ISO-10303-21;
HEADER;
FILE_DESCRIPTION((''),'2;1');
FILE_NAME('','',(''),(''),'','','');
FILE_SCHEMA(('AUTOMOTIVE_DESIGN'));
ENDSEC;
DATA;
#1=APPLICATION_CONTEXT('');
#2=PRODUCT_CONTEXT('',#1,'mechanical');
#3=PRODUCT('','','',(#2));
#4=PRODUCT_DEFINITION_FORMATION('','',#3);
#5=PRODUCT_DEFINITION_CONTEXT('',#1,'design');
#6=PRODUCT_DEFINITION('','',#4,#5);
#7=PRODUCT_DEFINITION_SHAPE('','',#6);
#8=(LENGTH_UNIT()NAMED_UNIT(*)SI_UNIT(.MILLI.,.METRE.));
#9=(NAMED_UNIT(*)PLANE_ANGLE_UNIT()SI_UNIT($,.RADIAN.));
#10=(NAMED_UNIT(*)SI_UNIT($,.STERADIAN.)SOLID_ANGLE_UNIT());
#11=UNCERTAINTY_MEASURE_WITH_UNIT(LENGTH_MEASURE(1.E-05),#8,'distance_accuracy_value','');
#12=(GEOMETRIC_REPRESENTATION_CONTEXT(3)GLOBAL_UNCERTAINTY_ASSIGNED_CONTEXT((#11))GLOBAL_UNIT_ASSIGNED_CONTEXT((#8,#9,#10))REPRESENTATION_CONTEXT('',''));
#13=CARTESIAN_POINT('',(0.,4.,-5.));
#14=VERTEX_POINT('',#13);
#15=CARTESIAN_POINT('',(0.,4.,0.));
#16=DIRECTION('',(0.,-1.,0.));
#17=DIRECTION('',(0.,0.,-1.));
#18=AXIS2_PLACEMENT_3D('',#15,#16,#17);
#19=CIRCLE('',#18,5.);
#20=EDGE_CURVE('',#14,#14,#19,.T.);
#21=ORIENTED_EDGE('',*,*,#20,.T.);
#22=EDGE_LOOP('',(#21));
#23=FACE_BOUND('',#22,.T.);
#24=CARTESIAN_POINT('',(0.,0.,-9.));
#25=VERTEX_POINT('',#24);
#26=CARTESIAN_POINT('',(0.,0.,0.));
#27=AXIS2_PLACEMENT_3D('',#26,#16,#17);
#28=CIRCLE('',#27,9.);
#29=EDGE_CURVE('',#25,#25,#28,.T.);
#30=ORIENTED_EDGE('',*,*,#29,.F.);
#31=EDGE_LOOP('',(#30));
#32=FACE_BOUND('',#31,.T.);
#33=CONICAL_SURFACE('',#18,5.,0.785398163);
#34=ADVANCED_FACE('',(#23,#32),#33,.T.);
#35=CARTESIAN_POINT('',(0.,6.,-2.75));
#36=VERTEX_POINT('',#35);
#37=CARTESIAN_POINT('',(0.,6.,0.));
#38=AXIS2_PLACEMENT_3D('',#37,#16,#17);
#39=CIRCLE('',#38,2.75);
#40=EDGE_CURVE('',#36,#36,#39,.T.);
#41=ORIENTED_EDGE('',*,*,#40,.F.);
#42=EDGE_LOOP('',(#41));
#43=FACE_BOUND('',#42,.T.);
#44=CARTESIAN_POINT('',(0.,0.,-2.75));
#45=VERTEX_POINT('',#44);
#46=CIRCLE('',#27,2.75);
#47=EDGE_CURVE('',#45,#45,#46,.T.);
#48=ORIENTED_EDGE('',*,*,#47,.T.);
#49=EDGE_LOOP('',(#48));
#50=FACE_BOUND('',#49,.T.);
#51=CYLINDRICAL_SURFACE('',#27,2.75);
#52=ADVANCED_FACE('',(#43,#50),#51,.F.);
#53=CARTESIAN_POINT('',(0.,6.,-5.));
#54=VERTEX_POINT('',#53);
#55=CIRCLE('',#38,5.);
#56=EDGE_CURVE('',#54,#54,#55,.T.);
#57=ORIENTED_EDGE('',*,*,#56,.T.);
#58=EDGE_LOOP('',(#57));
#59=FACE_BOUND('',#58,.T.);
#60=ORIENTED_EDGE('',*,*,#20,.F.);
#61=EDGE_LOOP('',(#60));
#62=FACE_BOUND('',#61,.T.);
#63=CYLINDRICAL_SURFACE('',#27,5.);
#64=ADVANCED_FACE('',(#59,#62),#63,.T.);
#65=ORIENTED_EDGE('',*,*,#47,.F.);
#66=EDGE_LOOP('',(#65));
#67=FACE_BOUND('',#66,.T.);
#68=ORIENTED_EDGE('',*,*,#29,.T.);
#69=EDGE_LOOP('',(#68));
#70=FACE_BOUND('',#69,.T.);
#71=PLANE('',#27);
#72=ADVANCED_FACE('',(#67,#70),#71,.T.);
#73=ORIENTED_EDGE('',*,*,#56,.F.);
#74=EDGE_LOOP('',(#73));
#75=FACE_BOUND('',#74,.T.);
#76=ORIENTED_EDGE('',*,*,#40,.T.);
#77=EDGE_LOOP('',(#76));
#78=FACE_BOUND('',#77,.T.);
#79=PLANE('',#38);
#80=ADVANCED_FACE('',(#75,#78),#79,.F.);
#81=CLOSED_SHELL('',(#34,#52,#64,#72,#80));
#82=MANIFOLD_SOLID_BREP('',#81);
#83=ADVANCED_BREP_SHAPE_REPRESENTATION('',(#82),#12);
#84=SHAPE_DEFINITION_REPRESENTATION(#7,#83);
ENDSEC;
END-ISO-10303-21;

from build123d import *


with BuildPart() as part:
    # Эскиз1 → Повернуть1 (revolve)
    with BuildSketch(Plane.XY, mode=Mode.PRIVATE) as revolve_1_sk:
        Polygon((5, 0), (5, 4), (5, 6), (2.75, 6), (2.75, 0), align=None)
        Polygon((9, 0), (5, 4), (5, 0), align=None)
    revolve(revolve_1_sk.sketch.rotate(Axis((0, 0, 0), (0, 1, 0)), 90), axis=Axis((0, 0, 0), (0, 1, 0)))


solid = part.part
